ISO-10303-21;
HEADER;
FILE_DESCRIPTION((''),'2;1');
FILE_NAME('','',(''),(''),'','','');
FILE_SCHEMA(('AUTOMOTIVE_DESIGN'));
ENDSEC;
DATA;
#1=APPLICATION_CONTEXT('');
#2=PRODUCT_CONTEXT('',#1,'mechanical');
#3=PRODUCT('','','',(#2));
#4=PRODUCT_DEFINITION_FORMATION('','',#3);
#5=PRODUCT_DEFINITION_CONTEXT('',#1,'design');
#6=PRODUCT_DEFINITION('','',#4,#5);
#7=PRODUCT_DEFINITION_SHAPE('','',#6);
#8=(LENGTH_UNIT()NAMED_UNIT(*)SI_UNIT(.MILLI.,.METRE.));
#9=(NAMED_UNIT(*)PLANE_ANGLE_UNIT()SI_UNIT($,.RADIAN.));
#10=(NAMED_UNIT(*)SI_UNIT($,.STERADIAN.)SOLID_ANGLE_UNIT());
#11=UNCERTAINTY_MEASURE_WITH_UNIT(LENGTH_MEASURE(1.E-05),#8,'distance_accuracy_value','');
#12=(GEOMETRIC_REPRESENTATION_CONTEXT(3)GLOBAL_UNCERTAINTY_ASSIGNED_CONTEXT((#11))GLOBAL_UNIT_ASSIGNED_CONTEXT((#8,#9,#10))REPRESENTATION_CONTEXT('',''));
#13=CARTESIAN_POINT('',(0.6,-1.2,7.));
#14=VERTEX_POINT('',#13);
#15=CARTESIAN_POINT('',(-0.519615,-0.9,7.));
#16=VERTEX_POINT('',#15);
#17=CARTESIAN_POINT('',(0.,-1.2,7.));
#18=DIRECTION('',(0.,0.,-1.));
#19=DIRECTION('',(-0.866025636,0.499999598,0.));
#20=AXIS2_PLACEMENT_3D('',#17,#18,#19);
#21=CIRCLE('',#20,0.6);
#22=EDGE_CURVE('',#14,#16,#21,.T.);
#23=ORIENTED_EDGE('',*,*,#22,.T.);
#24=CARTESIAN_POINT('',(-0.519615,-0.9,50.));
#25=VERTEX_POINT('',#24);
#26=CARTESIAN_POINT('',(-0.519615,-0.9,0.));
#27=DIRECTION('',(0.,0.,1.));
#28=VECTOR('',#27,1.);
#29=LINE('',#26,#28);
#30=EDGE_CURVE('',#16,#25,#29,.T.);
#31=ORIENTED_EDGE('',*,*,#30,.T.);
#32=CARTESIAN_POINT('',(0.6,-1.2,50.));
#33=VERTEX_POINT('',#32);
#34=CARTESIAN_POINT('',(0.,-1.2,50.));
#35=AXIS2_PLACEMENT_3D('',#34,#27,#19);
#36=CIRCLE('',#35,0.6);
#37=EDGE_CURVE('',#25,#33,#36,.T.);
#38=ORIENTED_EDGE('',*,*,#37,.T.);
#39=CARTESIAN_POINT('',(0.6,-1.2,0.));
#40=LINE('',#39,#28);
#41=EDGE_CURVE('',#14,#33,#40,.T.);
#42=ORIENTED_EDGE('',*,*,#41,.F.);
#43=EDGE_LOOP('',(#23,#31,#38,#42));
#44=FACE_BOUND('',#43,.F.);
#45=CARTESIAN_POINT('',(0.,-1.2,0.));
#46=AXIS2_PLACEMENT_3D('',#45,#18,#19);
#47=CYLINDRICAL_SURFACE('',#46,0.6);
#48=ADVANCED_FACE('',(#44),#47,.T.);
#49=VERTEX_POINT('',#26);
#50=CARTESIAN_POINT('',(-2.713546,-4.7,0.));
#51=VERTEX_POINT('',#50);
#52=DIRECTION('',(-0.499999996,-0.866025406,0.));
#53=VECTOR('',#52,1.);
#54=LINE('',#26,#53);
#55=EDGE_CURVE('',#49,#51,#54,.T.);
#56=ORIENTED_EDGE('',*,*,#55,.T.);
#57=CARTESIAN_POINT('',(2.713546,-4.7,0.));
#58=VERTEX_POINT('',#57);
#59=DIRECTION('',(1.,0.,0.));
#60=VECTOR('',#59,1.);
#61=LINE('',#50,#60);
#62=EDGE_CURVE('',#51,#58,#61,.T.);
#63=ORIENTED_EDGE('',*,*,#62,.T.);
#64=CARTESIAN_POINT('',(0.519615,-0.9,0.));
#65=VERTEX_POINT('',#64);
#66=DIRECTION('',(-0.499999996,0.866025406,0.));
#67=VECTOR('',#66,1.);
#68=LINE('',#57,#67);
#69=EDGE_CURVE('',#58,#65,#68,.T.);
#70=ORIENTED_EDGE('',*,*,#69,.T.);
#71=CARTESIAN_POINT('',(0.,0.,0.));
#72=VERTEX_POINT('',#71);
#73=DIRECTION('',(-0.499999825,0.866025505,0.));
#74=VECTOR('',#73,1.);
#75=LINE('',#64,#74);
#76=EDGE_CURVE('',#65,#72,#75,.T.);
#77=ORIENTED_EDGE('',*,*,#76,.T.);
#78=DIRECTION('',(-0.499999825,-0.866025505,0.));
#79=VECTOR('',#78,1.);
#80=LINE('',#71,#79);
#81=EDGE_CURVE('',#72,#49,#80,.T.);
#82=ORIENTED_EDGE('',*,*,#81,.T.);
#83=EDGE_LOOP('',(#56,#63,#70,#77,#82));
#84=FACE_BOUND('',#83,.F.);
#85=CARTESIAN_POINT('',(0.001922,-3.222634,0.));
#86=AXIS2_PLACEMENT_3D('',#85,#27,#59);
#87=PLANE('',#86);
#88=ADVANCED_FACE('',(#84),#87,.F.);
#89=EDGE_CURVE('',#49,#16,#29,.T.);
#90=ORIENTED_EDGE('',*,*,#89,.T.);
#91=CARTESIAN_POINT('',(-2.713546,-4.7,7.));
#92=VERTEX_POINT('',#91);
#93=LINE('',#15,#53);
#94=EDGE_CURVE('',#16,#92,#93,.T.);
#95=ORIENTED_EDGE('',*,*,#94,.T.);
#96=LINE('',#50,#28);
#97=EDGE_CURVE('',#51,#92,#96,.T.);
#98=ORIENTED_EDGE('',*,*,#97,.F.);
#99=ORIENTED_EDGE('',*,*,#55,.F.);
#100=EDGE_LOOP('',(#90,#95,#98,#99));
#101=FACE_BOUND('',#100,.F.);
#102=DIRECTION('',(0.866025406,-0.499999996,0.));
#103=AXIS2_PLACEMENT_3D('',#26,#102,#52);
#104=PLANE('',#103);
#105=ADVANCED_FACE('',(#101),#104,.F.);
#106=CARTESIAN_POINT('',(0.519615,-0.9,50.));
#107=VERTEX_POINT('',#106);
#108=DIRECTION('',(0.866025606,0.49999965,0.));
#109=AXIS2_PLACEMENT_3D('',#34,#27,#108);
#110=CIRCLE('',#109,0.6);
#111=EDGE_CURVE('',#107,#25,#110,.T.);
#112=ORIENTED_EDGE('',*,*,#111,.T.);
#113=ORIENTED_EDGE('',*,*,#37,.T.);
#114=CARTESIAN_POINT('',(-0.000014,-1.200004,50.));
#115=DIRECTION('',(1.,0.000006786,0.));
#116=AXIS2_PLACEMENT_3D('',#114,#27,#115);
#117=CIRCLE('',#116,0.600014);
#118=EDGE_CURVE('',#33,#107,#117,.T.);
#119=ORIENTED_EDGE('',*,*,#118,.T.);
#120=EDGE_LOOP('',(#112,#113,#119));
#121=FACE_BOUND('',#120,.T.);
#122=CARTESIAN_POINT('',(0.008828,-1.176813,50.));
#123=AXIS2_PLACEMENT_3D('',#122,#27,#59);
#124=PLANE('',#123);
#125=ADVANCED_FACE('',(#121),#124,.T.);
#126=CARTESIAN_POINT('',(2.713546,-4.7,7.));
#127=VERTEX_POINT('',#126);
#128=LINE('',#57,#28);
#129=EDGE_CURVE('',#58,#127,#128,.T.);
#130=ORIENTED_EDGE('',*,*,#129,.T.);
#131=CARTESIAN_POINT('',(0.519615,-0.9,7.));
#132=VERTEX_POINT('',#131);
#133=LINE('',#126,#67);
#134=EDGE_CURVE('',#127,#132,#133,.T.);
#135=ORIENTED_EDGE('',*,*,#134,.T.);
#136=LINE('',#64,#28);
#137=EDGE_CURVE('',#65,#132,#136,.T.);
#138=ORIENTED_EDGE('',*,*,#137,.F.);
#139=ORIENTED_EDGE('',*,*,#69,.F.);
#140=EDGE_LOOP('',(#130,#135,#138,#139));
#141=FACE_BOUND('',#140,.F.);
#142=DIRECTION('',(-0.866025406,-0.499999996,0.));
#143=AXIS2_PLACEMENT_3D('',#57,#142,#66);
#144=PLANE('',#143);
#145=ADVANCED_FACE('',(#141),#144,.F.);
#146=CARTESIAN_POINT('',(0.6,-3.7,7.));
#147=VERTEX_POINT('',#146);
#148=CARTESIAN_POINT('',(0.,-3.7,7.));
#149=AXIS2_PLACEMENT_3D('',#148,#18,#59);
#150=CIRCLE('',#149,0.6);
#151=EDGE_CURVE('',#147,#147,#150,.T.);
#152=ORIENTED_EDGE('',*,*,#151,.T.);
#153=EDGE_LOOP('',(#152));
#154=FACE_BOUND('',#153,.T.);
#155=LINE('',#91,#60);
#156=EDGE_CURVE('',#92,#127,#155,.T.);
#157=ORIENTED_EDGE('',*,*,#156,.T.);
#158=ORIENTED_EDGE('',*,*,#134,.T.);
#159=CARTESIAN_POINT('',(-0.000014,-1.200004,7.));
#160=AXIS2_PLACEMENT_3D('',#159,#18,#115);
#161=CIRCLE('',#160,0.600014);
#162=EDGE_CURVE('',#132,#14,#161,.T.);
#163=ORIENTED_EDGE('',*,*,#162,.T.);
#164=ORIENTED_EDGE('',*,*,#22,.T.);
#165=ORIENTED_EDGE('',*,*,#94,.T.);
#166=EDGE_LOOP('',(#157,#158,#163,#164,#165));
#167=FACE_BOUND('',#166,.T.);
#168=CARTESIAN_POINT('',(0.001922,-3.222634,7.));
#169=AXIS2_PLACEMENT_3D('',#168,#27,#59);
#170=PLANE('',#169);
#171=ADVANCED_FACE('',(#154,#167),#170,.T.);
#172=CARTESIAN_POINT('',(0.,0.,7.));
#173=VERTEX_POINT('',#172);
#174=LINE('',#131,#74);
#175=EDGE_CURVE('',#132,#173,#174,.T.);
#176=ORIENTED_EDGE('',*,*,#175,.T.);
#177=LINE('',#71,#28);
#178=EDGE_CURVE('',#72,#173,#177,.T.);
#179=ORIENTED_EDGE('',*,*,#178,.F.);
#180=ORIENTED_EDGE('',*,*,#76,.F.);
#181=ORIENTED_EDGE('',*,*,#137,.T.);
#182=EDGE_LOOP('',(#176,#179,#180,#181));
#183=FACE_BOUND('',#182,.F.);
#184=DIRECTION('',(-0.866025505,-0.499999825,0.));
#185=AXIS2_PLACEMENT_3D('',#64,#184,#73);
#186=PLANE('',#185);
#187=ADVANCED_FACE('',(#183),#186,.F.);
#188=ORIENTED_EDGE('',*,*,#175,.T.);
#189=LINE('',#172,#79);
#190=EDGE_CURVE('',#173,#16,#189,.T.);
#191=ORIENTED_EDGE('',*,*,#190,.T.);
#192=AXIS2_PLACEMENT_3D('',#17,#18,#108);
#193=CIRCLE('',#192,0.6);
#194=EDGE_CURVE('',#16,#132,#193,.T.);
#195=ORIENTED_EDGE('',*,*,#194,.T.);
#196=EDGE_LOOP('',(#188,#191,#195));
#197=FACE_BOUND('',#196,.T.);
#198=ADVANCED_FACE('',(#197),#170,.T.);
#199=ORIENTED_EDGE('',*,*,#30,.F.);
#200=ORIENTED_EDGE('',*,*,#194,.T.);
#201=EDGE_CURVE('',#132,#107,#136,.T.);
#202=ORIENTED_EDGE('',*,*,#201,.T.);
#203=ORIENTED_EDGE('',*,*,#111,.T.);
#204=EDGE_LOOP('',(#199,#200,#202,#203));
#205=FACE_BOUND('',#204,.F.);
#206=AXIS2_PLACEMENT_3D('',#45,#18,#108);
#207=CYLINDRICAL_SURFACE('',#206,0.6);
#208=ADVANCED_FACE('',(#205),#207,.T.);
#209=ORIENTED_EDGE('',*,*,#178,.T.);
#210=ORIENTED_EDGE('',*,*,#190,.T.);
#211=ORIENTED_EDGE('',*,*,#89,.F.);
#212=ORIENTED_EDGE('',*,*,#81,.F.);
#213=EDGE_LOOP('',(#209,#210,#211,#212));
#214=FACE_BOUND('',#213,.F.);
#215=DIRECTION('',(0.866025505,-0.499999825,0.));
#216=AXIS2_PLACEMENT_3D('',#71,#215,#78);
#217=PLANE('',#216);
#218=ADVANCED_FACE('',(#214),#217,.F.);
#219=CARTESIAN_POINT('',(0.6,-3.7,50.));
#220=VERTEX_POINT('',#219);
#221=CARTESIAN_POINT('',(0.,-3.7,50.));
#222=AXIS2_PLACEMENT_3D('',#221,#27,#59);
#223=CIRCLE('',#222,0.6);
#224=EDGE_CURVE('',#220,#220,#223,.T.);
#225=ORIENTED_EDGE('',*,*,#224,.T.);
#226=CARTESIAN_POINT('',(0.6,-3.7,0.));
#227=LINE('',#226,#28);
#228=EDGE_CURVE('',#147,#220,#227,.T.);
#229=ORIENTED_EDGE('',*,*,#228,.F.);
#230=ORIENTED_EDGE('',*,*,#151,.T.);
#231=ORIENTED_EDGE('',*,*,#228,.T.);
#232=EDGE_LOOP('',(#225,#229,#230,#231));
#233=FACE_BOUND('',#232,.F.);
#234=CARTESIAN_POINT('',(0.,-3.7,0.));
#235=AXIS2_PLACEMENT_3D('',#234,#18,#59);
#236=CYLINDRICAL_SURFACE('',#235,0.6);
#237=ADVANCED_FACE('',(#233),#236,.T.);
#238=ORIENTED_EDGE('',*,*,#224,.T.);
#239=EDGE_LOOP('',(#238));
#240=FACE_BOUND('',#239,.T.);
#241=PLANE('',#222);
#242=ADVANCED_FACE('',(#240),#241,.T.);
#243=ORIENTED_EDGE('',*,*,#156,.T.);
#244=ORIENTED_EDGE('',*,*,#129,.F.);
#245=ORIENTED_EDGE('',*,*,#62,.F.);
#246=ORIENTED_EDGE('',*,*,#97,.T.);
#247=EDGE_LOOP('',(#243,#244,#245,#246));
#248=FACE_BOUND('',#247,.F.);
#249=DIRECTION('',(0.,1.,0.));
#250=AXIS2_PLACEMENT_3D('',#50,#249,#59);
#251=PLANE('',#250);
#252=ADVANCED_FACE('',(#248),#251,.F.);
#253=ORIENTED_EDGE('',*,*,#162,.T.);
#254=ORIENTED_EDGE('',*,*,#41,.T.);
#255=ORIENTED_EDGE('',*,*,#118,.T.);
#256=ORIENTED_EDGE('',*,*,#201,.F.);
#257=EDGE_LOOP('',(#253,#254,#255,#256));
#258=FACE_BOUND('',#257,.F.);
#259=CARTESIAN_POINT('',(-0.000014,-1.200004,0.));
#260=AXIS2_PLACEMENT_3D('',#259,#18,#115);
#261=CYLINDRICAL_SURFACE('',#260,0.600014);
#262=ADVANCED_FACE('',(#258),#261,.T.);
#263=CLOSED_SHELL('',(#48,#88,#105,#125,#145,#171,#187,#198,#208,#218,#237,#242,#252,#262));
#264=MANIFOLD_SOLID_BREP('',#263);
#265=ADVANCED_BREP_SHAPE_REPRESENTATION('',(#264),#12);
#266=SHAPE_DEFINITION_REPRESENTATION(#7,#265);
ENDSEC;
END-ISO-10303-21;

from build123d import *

# Parameters (mm, degrees)
F0_R     = 0.6
F1_DEPTH = 7
F2_DEPTH = 50


with BuildPart() as f1:
    # F0 (on Top) → F1 (new body)
    with BuildSketch(Plane.XY):
        with BuildLine():
            Line((-0.519615, -0.9), (-2.713546, -4.7))
            Line((-2.713546, -4.7), (2.713546, -4.7))
            Line((2.713546, -4.7), (0.519615, -0.9))
            ThreePointArc((0.519615, -0.9), (0.579555, -1.044709), (0.6, -1.2))
            ThreePointArc((0.6, -1.2), (-0.155291, -1.779555), (-0.519615, -0.9))
        make_face()
        with Locations((0, -3.7)):
            Circle(F0_R, mode=Mode.SUBTRACT)
        with BuildLine():
            Line((0, 0), (-0.519615, -0.9))
            ThreePointArc((-0.519615, -0.9), (0, -0.6), (0.519615, -0.9))
            Line((0.519615, -0.9), (0, 0))
        make_face()
        with BuildLine():
            ThreePointArc((0.519615, -0.9), (0, -0.6), (-0.519615, -0.9))
            ThreePointArc((-0.519615, -0.9), (-0.155291, -1.779555), (0.6, -1.2))
            ThreePointArc((0.6, -1.2), (0.579555, -1.044709), (0.519615, -0.9))
        make_face()
        with Locations((0, -3.7)):
            Circle(F0_R)
    extrude(amount=F1_DEPTH)

    # F0 (on Top) → F2 (join)
    with BuildSketch(Plane.XY):
        with BuildLine():
            ThreePointArc((0.519615, -0.9), (0, -0.6), (-0.519615, -0.9))
            ThreePointArc((-0.519615, -0.9), (-0.155291, -1.779555), (0.6, -1.2))
            ThreePointArc((0.6, -1.2), (0.579555, -1.044709), (0.519615, -0.9))
        make_face()
        with Locations((0, -3.7)):
            Circle(F0_R)
    extrude(amount=F2_DEPTH)


solid = f1.part
